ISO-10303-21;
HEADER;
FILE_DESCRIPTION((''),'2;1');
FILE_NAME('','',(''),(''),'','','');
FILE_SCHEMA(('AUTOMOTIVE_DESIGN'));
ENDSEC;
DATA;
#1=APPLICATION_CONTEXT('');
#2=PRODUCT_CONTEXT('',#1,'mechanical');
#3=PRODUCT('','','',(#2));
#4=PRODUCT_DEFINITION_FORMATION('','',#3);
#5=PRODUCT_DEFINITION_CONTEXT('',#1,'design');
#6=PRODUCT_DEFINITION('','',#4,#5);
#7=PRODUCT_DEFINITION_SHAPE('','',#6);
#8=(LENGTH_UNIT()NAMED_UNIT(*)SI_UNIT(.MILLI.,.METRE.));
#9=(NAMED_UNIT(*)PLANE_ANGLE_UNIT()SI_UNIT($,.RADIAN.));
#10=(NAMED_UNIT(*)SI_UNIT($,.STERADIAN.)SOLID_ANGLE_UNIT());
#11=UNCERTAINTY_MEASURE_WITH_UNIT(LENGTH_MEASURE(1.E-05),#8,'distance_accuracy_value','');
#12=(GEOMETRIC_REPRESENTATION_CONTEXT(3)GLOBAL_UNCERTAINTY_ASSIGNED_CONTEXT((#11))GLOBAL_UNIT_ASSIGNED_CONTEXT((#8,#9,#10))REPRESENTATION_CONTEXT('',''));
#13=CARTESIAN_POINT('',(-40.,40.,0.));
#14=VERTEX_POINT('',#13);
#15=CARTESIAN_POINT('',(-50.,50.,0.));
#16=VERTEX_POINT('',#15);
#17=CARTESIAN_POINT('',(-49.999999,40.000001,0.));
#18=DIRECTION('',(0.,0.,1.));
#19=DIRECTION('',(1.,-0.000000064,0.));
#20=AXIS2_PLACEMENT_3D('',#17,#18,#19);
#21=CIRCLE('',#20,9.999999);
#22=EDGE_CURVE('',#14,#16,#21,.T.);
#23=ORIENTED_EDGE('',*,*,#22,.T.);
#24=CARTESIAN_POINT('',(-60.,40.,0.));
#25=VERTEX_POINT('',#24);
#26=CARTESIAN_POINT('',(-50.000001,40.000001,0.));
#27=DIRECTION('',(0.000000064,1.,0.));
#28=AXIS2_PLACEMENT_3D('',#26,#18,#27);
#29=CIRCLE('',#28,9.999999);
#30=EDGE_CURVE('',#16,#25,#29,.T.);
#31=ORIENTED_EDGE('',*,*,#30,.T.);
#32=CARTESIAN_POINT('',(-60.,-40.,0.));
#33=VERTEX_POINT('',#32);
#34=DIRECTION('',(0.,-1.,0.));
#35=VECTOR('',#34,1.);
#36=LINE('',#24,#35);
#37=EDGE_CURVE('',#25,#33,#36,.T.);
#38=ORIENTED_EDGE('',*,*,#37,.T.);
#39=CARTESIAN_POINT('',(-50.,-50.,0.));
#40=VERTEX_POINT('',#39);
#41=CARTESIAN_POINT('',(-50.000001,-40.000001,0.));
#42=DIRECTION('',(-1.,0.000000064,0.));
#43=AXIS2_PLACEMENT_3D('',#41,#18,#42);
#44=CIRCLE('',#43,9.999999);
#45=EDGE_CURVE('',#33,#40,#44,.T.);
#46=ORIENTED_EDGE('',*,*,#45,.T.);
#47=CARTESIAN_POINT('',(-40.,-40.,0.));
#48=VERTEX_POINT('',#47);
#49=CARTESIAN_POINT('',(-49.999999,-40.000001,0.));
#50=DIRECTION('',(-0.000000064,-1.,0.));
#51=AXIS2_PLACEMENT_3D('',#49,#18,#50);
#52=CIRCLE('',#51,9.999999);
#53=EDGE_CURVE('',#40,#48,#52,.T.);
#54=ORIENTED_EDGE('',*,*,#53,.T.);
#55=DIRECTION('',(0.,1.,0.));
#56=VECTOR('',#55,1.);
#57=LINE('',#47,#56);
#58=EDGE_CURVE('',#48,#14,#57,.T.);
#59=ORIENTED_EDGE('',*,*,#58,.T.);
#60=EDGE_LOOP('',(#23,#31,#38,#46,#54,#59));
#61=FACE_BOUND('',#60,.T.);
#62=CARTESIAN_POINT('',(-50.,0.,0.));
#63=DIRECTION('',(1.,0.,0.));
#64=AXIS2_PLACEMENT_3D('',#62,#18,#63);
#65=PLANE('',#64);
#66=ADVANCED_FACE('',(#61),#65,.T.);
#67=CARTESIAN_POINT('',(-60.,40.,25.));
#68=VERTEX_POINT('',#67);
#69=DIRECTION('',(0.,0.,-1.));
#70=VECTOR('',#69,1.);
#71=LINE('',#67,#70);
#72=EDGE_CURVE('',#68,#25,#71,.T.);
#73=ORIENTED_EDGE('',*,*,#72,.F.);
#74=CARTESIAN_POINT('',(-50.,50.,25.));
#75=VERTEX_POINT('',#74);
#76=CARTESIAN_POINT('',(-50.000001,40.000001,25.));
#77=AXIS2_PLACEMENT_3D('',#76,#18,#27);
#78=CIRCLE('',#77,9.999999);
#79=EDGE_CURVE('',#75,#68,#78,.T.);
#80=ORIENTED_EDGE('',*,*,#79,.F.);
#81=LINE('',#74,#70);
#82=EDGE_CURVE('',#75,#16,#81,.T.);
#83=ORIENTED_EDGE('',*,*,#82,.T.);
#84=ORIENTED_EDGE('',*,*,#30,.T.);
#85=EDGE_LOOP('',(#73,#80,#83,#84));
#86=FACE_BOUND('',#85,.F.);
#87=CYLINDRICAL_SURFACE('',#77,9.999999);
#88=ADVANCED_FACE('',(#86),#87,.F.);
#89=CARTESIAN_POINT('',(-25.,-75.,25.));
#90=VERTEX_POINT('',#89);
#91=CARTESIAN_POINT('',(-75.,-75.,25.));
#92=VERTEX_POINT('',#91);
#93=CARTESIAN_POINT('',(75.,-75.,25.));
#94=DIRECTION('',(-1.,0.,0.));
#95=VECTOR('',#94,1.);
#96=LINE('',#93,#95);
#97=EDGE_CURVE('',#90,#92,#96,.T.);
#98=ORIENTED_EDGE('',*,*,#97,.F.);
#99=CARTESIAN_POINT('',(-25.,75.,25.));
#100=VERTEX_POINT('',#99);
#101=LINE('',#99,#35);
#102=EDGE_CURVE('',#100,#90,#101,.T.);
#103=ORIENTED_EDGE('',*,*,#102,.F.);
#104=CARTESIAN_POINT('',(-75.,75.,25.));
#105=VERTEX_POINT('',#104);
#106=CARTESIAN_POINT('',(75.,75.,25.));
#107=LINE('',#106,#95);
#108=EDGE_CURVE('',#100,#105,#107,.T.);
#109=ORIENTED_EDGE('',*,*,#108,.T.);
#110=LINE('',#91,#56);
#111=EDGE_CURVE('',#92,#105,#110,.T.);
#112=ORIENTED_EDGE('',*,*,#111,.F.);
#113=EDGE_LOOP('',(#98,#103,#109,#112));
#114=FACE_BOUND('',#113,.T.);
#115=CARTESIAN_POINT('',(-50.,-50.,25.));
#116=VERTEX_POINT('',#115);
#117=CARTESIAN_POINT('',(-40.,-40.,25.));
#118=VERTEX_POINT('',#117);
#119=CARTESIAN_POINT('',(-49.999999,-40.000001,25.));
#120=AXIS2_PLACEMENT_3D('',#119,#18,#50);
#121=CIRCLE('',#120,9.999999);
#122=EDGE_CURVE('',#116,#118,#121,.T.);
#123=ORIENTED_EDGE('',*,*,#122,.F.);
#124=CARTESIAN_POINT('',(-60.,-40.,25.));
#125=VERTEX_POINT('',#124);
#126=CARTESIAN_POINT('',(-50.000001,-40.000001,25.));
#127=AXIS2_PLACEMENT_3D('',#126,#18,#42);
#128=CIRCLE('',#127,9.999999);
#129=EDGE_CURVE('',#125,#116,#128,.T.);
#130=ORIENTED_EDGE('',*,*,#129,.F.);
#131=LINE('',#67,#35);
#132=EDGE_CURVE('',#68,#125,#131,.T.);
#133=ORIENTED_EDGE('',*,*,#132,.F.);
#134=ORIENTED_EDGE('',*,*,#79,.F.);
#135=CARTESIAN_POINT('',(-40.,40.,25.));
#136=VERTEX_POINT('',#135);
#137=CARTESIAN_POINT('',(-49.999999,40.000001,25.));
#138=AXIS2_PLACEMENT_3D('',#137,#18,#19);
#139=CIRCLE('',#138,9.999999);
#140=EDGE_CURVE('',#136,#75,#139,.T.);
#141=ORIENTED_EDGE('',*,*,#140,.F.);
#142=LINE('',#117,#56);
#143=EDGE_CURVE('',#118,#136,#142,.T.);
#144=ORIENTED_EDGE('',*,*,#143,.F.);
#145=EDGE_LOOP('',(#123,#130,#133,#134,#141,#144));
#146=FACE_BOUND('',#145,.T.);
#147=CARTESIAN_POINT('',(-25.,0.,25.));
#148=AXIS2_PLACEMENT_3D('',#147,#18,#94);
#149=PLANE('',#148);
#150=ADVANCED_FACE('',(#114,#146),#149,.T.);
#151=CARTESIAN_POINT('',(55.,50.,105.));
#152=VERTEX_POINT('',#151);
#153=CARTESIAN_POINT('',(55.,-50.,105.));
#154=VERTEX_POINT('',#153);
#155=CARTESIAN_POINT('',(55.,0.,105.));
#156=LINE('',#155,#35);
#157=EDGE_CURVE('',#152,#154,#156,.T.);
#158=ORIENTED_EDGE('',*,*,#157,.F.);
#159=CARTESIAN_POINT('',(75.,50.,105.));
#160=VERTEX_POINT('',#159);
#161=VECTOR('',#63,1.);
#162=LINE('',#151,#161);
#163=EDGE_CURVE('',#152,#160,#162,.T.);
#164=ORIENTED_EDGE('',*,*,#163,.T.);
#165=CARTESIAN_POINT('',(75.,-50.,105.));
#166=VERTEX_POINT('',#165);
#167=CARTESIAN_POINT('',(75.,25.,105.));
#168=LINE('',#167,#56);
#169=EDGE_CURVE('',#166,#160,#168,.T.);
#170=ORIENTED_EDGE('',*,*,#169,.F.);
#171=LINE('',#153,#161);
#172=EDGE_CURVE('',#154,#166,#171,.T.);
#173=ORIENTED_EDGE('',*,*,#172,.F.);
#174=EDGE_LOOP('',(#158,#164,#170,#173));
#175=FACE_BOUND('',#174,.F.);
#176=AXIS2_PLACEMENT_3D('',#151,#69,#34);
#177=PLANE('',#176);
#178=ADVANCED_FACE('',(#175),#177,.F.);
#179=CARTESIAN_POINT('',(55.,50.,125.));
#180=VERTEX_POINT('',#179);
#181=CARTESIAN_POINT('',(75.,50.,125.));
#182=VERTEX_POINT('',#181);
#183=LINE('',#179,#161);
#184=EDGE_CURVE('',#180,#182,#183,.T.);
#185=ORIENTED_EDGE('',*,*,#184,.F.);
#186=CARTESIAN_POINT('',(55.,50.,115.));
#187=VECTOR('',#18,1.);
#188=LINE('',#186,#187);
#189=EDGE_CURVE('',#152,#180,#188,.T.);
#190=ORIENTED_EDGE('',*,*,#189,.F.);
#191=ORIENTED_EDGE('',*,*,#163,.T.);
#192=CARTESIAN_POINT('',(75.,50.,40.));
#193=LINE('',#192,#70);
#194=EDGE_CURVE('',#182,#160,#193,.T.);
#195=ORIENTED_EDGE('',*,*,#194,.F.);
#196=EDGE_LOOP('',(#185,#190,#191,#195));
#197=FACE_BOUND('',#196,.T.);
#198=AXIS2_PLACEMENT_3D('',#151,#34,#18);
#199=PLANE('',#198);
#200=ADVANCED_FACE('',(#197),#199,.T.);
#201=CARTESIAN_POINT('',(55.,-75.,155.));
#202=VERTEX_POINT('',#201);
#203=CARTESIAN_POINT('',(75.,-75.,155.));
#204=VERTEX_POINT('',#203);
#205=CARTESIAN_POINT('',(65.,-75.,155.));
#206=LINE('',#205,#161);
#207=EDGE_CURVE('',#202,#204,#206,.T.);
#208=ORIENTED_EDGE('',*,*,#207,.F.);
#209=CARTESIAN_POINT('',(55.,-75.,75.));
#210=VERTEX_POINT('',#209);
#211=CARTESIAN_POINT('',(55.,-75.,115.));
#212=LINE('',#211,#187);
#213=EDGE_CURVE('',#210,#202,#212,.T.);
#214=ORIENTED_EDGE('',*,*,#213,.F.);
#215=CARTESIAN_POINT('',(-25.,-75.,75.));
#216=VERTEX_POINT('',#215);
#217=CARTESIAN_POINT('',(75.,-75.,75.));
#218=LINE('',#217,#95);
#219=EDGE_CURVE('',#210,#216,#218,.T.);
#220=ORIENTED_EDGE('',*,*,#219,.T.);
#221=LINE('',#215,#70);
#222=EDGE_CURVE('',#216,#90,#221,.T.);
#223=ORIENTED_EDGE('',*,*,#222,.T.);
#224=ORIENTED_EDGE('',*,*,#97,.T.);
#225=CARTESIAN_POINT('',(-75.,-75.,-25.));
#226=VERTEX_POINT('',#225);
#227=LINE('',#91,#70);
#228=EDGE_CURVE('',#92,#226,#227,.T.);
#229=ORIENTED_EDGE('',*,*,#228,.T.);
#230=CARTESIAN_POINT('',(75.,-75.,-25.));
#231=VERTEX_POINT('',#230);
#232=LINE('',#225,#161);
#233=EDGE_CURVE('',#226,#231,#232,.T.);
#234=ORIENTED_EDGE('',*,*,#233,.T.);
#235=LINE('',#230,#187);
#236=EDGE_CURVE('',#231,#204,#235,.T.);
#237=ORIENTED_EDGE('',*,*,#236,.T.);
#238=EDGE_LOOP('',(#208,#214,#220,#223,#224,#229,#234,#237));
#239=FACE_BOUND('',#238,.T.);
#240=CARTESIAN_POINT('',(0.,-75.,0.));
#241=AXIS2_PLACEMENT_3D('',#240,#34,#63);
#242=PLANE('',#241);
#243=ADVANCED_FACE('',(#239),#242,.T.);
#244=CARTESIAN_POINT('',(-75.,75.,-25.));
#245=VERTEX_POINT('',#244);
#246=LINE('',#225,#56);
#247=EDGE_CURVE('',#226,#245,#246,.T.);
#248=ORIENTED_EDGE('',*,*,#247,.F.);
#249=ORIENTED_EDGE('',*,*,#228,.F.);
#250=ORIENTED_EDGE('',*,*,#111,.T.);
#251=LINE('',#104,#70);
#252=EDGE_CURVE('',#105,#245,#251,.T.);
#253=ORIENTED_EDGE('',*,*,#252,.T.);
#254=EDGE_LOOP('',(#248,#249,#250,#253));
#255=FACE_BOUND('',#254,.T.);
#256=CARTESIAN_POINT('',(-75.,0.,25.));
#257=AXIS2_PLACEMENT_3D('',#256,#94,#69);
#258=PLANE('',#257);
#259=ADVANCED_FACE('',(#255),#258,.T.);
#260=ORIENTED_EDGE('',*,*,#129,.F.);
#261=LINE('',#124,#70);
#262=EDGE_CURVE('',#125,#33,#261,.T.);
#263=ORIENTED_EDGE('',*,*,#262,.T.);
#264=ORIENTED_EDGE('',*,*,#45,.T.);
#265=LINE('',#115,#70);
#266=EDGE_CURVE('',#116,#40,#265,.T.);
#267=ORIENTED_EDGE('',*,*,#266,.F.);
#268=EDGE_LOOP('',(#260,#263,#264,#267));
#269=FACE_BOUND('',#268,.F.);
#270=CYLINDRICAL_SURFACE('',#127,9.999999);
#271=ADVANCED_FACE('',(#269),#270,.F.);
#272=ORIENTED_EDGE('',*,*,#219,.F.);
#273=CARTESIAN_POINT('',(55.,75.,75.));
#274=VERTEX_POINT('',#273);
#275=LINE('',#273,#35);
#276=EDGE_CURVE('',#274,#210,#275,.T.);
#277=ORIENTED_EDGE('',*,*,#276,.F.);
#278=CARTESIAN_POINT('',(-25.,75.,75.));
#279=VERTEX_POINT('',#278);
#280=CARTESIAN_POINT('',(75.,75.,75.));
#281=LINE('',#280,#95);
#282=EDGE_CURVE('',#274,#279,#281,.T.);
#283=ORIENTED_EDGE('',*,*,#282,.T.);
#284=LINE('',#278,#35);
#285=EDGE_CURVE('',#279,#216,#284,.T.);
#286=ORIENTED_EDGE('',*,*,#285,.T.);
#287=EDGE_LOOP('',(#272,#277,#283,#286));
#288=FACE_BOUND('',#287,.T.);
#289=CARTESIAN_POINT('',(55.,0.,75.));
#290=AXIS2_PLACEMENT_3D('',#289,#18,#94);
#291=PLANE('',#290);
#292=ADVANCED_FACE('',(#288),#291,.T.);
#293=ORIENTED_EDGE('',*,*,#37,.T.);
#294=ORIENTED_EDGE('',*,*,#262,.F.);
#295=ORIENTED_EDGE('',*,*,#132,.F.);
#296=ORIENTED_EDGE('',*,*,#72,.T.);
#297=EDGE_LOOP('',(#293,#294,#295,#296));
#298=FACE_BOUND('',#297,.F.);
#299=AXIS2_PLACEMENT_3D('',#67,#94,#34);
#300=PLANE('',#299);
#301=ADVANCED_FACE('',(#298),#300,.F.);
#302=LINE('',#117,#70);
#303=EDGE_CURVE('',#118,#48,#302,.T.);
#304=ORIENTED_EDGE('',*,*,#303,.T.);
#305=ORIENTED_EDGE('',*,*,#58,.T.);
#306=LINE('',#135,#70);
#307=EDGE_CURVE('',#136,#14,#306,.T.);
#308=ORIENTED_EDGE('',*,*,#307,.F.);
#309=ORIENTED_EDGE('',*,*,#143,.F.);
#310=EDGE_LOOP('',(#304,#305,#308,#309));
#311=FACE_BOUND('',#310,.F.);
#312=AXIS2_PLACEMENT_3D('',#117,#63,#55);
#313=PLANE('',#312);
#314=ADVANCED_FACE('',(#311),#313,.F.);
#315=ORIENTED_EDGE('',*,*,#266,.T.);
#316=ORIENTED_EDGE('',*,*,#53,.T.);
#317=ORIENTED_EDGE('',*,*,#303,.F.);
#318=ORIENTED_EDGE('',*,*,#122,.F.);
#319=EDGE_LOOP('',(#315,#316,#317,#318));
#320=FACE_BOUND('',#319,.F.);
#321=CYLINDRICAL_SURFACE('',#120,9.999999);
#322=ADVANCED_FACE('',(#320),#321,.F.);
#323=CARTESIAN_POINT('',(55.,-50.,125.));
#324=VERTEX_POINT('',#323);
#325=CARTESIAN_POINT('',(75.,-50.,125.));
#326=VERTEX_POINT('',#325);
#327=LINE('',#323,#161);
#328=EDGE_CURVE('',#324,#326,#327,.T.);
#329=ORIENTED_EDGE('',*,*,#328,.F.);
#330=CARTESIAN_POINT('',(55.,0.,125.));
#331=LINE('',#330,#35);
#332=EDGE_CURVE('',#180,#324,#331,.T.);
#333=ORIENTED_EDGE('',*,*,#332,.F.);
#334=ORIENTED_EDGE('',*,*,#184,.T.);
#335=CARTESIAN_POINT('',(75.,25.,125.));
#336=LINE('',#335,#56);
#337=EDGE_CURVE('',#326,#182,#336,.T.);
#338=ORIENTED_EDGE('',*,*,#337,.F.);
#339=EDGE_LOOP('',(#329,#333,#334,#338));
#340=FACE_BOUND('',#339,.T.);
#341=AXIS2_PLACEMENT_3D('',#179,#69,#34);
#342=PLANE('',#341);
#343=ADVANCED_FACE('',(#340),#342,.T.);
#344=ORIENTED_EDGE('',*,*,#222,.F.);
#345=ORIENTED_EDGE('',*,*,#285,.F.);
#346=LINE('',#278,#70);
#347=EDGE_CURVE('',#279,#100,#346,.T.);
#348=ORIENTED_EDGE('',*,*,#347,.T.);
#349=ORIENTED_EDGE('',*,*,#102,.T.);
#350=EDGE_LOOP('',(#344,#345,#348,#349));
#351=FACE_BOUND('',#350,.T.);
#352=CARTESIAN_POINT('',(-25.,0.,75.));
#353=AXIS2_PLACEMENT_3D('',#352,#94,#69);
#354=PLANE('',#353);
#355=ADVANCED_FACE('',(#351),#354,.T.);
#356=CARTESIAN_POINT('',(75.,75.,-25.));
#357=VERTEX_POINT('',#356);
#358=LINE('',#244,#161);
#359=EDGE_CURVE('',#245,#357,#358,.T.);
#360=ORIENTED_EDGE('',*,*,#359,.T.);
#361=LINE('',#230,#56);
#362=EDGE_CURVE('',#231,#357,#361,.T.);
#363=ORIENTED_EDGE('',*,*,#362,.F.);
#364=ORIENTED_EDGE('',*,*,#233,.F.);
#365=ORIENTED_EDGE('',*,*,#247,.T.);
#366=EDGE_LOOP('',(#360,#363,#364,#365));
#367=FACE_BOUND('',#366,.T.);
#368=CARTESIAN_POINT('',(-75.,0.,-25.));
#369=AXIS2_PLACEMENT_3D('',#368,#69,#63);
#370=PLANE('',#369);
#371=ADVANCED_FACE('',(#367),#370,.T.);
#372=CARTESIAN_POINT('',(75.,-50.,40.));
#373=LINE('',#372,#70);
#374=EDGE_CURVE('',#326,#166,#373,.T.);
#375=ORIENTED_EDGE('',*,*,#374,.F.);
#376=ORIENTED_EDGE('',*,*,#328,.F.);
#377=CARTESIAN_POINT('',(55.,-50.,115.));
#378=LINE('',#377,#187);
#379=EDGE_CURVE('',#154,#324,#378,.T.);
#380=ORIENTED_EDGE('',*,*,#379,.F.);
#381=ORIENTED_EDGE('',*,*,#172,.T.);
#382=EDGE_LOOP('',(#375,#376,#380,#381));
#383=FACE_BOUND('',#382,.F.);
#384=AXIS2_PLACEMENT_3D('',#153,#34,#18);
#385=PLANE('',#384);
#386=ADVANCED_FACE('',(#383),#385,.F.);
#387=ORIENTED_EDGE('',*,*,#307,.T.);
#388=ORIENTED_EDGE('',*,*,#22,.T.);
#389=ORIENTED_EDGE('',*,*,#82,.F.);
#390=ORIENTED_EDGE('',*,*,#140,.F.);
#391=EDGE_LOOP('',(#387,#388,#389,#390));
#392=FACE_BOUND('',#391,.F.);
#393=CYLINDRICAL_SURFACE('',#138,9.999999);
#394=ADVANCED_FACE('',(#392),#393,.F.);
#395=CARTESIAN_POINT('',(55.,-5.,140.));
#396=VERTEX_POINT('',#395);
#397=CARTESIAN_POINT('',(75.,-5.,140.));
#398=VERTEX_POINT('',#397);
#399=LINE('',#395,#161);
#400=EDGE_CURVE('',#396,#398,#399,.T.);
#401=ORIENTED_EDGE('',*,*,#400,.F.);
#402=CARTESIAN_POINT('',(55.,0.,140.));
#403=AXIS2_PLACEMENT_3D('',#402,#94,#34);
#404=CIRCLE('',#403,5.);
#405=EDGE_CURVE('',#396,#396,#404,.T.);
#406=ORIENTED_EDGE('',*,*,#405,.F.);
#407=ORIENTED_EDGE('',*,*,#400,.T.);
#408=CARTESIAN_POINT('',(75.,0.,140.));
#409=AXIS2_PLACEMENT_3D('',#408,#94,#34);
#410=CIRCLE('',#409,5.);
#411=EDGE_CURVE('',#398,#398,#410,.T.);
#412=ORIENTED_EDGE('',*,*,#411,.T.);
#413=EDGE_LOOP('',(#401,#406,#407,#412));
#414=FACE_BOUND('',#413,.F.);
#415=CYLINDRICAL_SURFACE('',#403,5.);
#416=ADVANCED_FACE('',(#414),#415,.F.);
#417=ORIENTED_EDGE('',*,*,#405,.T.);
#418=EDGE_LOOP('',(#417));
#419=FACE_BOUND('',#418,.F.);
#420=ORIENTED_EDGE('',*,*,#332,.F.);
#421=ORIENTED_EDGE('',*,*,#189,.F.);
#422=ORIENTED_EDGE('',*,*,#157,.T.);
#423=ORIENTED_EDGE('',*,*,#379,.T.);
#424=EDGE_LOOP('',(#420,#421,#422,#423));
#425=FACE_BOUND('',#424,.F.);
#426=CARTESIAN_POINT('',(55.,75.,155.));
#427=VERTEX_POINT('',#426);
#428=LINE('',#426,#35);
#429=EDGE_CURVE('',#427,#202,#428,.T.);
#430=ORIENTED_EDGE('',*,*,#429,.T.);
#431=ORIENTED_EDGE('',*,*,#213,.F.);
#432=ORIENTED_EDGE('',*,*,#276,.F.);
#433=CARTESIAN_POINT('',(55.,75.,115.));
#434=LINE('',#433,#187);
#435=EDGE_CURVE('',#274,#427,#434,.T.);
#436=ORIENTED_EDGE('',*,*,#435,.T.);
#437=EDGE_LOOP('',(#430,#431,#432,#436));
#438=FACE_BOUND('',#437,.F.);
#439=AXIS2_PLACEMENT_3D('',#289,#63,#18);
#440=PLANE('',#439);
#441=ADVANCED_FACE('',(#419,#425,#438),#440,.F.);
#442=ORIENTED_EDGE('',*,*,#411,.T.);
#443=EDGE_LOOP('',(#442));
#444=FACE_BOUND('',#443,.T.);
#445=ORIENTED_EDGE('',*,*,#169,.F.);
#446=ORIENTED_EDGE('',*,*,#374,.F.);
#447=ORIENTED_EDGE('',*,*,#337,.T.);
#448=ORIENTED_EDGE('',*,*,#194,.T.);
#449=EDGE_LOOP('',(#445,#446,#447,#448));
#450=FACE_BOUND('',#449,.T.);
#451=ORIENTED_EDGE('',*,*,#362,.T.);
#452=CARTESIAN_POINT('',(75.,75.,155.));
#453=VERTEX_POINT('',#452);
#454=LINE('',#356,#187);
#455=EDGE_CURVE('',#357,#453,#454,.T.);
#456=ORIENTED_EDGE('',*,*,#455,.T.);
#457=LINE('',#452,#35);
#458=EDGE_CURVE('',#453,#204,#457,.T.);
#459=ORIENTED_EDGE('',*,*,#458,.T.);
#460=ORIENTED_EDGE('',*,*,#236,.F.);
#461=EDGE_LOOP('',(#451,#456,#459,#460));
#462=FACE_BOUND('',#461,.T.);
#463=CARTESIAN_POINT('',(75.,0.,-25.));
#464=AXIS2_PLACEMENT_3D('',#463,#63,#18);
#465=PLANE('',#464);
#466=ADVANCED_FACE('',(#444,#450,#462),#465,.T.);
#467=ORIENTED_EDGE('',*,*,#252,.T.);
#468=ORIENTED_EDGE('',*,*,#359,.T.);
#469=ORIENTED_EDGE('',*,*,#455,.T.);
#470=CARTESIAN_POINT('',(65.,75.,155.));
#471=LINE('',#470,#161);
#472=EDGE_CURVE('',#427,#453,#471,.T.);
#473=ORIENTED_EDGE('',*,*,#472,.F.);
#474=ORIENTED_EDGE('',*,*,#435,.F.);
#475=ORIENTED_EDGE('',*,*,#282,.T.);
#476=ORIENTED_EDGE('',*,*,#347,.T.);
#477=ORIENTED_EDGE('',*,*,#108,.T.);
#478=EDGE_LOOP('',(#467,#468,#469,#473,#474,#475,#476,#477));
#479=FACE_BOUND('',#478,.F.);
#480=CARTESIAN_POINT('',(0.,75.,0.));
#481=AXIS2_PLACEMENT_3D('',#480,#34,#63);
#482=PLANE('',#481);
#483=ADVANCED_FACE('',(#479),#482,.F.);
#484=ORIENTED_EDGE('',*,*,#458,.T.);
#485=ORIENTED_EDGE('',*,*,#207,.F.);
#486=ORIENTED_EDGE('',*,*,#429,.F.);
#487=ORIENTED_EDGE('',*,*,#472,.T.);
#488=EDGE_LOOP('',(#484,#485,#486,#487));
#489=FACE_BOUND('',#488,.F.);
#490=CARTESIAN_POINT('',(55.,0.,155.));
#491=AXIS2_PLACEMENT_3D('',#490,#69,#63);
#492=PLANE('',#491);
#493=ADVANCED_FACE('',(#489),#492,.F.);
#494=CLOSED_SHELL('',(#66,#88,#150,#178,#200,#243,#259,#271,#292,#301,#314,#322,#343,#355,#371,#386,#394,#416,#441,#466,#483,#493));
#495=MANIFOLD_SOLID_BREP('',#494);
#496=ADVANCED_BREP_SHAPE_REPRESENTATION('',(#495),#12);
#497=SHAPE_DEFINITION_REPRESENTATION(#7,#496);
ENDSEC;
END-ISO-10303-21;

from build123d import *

# Parameters (mm, degrees)
F0_W     = 20
F0_H     = 80
F1_DEPTH = 75
F2_W     = 100
F2_H     = 20
F2_R     = 5
F3_DEPTH = 20.001
F5_DEPTH = 25


with BuildPart() as f1:
    # F0 (on Front) → F1 (new body, symmetric)
    with BuildSketch(Plane.XZ):
        Polygon((75, -25), (75, 25), (-25, 25), (-75, 25), (-75, -25), align=None)
        Polygon((-25, 25), (75, 25), (75, 75), (55, 75), (-25, 75), align=None)
        with Locations((65, 115)):
            Rectangle(F0_W, F0_H)
    extrude(amount=F1_DEPTH, both=True)

    # F2 (on face) → F3 (cut, through all)
    with BuildSketch(Plane(origin=(55, 0, 0), x_dir=(0, -1, 0), z_dir=(-1, 0, 0))):
        with Locations((0, 115)):
            Rectangle(F2_W, F2_H)
        with Locations((0, 140)):
            Circle(F2_R)
    extrude(amount=-F3_DEPTH, mode=Mode.SUBTRACT)

    # F4 (on face) → F5 (cut)
    with BuildSketch(Plane.XY.offset(25)):
        with BuildLine():
            Line((-40, -40), (-40, 40))
            ThreePointArc((-40, 40), (-42.928932, 47.071068), (-50, 50))
            ThreePointArc((-50, 50), (-57.071068, 47.071068), (-60, 40))
            Line((-60, 40), (-60, -40))
            ThreePointArc((-60, -40), (-57.071068, -47.071068), (-50, -50))
            ThreePointArc((-50, -50), (-42.928932, -47.071068), (-40, -40))
        make_face()
    extrude(amount=-F5_DEPTH, mode=Mode.SUBTRACT)


solid = f1.part
